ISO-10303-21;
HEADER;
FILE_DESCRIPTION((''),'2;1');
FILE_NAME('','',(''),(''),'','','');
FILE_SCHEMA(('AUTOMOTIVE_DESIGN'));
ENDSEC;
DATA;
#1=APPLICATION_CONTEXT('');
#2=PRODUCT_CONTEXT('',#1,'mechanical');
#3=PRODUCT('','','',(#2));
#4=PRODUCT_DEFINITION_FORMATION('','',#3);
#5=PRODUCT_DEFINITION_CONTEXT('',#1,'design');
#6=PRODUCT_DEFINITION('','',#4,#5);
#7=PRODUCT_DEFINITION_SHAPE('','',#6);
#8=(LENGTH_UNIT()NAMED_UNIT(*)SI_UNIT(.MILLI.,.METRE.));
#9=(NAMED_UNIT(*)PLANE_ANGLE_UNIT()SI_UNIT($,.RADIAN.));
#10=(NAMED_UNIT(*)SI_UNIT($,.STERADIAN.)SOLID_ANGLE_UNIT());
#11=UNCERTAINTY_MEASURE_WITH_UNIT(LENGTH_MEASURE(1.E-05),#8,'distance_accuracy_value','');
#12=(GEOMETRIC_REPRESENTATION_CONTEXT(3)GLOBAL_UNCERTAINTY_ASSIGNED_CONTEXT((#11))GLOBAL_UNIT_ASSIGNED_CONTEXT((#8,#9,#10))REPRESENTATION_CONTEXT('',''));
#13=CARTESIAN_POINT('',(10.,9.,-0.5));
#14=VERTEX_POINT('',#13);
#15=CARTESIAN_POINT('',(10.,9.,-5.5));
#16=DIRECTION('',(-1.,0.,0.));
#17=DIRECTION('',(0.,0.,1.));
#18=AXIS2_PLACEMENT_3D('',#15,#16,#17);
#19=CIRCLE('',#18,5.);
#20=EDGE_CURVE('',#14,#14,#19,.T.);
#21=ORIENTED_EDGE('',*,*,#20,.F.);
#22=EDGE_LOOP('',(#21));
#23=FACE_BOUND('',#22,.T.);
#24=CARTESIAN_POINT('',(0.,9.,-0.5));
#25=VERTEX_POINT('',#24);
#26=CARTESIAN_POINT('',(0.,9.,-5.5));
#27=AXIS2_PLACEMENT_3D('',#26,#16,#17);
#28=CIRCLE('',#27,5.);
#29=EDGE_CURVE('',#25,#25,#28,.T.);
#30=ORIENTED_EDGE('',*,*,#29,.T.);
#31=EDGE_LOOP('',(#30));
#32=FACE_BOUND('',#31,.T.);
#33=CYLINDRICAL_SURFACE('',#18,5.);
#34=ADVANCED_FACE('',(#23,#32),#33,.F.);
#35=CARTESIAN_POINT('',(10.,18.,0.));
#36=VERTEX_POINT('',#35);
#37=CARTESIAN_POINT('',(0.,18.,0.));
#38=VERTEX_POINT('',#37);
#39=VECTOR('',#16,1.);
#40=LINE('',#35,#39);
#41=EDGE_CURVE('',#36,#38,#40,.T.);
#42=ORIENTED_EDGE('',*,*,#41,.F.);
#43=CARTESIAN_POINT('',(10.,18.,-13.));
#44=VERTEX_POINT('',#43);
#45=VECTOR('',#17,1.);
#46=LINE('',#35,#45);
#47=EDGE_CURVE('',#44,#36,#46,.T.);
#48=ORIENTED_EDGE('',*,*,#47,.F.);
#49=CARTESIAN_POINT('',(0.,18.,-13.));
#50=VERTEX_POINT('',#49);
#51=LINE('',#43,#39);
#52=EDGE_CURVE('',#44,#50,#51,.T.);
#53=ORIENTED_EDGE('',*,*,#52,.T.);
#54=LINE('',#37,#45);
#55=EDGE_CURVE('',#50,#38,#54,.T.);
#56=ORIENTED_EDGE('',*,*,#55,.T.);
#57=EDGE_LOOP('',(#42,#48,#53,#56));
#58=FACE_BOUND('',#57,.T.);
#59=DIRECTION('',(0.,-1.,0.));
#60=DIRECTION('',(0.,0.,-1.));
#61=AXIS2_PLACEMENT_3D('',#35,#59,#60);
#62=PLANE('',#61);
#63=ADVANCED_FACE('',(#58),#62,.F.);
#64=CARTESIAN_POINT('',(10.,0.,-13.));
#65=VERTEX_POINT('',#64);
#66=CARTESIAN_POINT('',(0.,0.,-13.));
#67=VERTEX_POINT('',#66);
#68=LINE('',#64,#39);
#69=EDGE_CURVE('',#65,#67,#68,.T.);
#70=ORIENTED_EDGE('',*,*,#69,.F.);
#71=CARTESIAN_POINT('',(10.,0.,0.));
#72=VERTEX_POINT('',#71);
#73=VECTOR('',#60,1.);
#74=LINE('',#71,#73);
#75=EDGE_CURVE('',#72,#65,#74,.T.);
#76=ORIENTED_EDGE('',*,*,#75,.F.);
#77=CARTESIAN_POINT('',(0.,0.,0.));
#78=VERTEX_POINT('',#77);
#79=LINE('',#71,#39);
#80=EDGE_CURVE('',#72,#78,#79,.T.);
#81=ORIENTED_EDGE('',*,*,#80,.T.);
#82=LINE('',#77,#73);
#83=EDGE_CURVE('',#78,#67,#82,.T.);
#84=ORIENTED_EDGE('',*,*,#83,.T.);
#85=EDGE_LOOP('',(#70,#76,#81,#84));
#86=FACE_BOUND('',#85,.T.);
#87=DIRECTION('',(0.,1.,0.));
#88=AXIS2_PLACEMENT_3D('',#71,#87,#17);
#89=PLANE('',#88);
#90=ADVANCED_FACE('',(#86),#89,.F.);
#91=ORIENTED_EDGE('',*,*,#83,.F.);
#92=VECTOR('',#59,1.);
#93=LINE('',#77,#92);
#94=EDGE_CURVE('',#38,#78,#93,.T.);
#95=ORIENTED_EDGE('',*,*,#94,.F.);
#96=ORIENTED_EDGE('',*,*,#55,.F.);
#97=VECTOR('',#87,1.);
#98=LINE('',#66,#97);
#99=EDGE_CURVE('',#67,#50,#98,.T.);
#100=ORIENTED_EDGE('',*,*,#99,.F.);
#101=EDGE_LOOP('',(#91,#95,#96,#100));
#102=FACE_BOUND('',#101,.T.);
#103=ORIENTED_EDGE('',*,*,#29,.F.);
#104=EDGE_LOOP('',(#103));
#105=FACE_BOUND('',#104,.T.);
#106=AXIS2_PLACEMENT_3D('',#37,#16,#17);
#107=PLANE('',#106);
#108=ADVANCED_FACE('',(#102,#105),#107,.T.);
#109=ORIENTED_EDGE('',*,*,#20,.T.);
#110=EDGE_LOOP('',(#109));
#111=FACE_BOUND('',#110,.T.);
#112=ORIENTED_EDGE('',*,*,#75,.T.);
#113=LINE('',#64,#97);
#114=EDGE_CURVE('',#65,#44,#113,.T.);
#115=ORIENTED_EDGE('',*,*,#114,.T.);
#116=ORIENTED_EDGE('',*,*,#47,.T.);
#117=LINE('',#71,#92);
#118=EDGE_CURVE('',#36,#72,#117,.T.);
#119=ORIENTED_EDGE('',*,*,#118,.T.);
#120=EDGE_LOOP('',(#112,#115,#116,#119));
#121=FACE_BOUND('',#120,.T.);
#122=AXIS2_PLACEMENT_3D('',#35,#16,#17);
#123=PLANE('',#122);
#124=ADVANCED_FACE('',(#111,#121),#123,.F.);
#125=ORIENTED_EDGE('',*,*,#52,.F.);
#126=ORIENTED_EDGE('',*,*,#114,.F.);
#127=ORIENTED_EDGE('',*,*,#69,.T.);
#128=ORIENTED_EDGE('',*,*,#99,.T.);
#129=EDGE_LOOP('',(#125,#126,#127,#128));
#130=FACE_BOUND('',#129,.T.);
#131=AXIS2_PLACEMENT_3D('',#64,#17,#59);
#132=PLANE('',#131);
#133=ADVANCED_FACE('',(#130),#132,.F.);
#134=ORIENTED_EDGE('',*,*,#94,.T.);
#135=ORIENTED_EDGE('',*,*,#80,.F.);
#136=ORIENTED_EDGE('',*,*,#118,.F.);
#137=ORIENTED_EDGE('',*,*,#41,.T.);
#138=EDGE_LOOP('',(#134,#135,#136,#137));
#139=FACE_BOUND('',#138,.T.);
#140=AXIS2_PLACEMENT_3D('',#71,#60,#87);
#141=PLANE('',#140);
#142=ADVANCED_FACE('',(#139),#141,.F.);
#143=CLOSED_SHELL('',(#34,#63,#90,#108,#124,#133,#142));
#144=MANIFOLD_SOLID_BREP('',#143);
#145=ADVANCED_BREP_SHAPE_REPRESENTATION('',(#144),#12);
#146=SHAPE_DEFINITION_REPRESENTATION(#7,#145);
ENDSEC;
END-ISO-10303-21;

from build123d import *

# Parameters (mm, degrees)
ESQUISSE1_W             = 13
ESQUISSE1_H             = 18
EXTRUSION1_DEPTH        = 10
ESQUISSE2_R             = 5
ENL_V_MAT_EXTRU_1_DEPTH = 11


with BuildPart() as part:
    # Esquisse1 → Extrusion1 (new body)
    with BuildSketch(Plane(origin=(0, 0, 0), x_dir=(0, 0, -1), z_dir=(1, 0, 0))):
        with Locations((6.5, 9)):
            Rectangle(ESQUISSE1_W, ESQUISSE1_H)
    extrude(amount=EXTRUSION1_DEPTH)

    # Esquisse2 → Enlèv. mat.-Extru.1 (cut, through all)
    with BuildSketch(Plane.ZY):
        with Locations((-5.5, 9)):
            Circle(ESQUISSE2_R)
    extrude(amount=-ENL_V_MAT_EXTRU_1_DEPTH, mode=Mode.SUBTRACT)


solid = part.part
